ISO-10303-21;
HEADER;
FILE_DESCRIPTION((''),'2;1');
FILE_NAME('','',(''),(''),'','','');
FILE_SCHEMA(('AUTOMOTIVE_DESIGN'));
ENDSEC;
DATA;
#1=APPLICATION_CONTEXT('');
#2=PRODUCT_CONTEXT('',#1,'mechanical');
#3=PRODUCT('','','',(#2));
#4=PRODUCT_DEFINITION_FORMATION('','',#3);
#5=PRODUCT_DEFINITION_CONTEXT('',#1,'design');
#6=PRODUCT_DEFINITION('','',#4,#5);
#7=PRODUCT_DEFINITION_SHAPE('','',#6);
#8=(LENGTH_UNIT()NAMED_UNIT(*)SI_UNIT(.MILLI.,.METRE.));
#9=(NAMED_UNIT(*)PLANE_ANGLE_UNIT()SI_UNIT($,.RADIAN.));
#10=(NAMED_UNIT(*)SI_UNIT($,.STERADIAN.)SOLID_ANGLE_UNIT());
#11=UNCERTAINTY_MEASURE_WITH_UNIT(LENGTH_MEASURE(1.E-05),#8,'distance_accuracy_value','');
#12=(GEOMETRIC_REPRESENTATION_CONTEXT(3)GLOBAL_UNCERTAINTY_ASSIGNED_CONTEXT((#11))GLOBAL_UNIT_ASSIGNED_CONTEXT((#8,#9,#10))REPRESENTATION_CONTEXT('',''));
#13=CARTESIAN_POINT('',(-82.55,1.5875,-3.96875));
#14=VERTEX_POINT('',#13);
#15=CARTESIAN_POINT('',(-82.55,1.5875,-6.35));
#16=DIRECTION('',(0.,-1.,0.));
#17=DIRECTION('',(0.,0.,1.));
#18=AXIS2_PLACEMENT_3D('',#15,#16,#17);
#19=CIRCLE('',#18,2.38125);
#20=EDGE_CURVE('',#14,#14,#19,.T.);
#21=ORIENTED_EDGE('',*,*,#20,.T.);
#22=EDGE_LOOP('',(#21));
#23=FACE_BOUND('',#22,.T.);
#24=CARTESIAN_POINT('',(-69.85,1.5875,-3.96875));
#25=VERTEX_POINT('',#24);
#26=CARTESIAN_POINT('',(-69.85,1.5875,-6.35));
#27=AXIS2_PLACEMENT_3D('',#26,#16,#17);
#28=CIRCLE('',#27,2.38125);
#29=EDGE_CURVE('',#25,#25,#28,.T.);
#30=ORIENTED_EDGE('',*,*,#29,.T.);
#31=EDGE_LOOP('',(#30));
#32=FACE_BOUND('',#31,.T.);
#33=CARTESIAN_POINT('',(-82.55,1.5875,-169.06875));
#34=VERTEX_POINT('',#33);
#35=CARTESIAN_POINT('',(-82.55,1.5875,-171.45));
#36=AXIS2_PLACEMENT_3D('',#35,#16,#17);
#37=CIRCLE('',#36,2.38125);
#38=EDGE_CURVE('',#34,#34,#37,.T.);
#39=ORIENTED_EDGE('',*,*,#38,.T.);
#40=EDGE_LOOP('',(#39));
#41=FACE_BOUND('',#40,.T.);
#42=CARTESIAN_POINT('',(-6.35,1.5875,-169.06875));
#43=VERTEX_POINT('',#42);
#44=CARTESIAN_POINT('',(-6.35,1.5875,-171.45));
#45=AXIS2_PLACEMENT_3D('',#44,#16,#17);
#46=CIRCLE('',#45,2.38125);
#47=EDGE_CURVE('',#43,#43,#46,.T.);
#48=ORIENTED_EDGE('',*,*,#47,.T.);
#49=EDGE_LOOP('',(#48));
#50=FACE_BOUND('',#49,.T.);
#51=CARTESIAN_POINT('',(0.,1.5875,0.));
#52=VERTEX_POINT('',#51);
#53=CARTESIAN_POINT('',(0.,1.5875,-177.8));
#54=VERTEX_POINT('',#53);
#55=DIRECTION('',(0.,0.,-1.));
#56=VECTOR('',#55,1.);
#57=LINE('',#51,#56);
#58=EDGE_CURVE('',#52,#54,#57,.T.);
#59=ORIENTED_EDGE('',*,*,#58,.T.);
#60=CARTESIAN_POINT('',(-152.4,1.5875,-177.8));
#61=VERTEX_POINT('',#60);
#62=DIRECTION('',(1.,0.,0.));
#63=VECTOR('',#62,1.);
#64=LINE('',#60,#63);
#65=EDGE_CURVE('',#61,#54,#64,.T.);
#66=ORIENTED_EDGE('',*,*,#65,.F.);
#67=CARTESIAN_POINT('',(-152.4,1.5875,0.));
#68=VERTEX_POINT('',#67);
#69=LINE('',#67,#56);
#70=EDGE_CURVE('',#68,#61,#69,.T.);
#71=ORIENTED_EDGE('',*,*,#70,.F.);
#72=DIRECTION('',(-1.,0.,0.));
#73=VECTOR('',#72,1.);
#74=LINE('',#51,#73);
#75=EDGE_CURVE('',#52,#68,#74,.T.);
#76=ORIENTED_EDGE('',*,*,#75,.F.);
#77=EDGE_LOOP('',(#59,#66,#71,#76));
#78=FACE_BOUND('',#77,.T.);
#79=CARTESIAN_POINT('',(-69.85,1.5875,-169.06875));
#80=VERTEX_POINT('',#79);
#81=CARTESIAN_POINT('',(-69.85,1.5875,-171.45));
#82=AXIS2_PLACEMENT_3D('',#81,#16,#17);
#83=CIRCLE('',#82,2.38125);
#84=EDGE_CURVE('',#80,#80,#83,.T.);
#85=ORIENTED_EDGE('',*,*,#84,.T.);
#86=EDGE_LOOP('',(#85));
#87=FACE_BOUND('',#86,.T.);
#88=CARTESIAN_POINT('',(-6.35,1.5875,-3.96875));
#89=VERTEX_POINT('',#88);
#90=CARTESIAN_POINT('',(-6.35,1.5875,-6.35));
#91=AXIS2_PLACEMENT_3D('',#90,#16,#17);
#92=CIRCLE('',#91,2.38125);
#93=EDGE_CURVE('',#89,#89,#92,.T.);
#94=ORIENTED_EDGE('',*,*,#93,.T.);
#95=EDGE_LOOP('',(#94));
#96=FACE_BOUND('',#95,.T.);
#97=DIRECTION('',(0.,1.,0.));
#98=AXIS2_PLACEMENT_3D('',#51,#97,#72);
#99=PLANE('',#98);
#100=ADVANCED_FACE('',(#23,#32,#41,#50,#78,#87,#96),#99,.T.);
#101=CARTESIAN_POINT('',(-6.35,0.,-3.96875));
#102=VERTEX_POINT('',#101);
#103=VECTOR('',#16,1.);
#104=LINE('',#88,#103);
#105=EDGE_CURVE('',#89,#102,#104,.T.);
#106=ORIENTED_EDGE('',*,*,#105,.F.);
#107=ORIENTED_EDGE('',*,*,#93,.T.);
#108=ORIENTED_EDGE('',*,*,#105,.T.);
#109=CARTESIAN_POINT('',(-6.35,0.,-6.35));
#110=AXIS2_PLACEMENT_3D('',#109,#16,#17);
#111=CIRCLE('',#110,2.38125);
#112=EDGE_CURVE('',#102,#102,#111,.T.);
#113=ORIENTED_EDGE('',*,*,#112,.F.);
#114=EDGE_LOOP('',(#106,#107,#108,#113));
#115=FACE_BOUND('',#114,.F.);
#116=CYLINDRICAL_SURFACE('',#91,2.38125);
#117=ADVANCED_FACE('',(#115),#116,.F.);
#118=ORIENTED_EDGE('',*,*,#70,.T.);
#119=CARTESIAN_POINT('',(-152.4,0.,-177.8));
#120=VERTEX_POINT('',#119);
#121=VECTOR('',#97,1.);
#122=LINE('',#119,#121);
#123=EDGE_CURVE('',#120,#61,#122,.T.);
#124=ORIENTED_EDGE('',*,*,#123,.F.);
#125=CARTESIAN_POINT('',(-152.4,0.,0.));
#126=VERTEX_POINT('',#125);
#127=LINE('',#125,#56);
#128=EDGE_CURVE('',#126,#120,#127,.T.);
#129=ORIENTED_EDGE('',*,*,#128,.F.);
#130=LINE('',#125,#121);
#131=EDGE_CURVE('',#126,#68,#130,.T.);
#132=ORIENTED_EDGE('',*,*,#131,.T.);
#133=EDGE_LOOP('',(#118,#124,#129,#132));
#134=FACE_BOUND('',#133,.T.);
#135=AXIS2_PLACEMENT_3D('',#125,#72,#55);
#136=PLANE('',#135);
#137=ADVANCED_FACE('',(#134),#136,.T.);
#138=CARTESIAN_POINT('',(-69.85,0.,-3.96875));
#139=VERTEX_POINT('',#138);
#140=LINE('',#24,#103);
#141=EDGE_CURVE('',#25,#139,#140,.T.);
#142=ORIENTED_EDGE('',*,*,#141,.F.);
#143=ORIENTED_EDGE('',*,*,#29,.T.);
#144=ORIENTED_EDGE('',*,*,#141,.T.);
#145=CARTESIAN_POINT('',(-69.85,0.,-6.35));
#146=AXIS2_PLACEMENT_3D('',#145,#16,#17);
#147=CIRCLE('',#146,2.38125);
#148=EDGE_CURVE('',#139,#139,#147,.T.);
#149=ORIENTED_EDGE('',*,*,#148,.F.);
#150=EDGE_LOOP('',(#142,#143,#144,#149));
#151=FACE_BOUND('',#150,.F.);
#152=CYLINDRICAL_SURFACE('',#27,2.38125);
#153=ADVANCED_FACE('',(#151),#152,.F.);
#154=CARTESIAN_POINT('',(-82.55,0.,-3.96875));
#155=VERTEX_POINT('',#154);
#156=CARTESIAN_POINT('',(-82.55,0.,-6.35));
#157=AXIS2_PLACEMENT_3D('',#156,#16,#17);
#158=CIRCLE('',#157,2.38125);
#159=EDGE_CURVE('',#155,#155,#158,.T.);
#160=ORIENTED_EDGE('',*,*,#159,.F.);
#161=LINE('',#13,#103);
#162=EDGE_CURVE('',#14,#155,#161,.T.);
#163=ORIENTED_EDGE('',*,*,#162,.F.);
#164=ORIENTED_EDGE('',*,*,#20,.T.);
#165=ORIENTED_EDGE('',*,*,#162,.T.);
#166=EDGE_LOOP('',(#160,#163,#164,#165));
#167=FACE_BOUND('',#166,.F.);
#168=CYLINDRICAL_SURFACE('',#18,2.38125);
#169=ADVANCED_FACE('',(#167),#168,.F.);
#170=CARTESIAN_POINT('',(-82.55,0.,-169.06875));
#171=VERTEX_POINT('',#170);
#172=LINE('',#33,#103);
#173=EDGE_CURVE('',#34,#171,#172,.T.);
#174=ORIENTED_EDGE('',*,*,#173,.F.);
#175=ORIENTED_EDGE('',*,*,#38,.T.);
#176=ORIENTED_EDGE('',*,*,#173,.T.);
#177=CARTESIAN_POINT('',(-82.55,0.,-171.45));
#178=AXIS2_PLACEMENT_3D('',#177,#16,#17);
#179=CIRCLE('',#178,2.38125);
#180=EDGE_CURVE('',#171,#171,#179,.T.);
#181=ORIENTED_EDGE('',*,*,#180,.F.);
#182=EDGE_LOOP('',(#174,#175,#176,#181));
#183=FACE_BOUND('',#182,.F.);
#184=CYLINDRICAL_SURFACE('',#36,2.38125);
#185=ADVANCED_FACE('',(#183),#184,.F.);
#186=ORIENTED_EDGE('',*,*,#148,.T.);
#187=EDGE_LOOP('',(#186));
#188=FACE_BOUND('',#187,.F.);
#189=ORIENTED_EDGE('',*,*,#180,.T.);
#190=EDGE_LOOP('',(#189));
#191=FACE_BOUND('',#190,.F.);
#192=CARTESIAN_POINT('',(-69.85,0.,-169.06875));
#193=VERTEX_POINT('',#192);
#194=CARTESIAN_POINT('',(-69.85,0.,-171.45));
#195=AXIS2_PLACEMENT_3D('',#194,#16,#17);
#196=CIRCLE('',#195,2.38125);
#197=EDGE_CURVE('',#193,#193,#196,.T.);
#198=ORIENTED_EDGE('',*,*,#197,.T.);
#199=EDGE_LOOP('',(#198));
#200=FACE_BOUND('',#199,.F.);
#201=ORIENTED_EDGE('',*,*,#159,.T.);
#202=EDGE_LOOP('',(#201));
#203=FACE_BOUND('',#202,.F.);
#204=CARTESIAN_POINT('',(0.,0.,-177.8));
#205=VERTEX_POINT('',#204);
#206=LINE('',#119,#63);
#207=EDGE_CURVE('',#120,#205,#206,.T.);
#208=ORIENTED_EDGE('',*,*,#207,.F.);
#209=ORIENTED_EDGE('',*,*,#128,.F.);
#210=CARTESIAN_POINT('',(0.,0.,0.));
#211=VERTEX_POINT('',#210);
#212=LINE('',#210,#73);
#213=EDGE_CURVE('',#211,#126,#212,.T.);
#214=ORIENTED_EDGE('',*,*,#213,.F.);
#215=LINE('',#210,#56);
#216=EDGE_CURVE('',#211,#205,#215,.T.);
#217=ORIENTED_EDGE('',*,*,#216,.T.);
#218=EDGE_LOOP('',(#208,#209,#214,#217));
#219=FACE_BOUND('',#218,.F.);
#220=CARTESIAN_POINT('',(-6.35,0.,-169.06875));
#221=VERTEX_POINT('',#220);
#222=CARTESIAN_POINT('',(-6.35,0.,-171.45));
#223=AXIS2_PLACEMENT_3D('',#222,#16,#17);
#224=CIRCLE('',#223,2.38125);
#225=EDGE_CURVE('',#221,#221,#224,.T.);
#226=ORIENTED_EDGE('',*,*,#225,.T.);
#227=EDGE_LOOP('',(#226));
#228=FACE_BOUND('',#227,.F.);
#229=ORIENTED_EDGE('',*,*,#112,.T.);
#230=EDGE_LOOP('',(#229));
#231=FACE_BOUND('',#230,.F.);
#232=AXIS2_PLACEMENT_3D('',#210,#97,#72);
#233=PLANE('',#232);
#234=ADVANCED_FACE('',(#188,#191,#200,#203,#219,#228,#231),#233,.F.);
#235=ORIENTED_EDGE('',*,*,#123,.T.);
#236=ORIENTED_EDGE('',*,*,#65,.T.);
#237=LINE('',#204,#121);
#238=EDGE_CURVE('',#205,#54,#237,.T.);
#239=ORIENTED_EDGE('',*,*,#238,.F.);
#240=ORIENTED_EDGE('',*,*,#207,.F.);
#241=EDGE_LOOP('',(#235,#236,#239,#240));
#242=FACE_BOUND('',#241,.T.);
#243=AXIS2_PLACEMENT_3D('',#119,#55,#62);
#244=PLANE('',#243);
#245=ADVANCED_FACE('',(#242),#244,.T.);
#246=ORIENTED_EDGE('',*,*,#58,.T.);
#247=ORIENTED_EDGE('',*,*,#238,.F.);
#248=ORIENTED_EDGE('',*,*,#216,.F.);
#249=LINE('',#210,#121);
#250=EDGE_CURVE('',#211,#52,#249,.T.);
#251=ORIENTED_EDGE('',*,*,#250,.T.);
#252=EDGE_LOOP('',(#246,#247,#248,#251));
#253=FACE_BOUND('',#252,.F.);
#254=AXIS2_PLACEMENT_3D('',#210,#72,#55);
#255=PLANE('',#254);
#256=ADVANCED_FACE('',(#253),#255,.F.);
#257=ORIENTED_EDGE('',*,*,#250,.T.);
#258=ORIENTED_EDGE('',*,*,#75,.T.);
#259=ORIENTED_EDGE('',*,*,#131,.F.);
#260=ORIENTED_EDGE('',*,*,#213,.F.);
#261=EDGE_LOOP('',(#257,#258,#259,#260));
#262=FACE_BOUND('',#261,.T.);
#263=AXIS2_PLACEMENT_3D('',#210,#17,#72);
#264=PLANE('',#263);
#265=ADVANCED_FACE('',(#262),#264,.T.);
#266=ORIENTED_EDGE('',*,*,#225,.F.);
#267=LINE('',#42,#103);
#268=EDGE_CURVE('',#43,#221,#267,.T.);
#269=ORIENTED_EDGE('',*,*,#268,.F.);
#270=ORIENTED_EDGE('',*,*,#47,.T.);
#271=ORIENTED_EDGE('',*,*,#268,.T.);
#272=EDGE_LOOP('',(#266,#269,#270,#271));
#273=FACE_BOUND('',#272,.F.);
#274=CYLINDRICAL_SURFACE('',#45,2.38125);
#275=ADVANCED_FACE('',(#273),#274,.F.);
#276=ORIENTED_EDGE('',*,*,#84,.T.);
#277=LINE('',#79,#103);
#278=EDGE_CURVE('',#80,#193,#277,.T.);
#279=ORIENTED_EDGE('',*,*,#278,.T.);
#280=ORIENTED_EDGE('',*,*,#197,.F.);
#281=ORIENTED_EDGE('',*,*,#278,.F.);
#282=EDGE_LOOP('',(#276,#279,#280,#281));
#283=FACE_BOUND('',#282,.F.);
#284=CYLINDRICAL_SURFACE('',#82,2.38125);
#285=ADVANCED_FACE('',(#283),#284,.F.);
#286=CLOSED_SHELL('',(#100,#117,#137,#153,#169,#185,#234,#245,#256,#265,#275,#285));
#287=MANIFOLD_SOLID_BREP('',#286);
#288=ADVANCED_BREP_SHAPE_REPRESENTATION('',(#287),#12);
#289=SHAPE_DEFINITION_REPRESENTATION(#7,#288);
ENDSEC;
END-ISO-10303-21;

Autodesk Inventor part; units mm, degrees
ref_plane "YZ Plane" through (0, 0, 0) normal (1, 0, 0) x (0, 1, 0)
ref_plane "XZ Plane" through (0, 0, 0) normal (0, 1, 0) x (-1, 0, 0)
ref_plane "XY Plane" through (0, 0, 0) normal (0, 0, 1) x (1, 0, 0)
sketch "Sketch1" plane through (0, 0, 0) normal (0, 1, 0) x (-1, 0, 0)
  line L0 (0, 0) -> (0, -177.8)
  line L1 (0, 0) -> (152.4, 0)
  line L2 (152.4, 0) -> (152.4, -177.8)
  line L3 (152.4, -177.8) -> (0, -177.8)
  dimension "d0" = 177.8
  dimension "d1" = 152.4
  dimension "d2" = 177.8
extrude "Extrusion1" add sketch "Sketch1" along normal blind 1.5875
sketch "Sketch2" plane through (0, 1.5875, 0) normal (0, 1, 0) x (1, 0, 0)
  line L0 (-152.4, 0) -> (0, 0) projected
  line L1 (-152.4, 0) -> (-143.4197, 0) construction
  line L2 (0, 177.8) -> (-152.4, 177.8) projected
  line L3 (-152.4, 177.8) -> (-143.4197, 177.8) construction
  line L4 (0, 0) -> (0, 177.8) projected
  line L5 (0, 177.8) -> (-12.7, 177.8)
  line L6 (-12.7, 177.8) -> (0, 165.1)
  line L7 (0, 177.8) -> (-6.35, 171.45)
  line L8 (0, 177.8) -> (8.9803, 177.8) construction
  line L9 (0, 0) -> (-12.7, 0)
  line L10 (-12.7, 0) -> (0, 12.7)
  line L11 (0, 0) -> (-6.35, 6.35)
  line L12 (-6.35, 171.45) -> (-69.85, 171.45)
  line L13 (-69.85, 171.45) -> (-82.55, 171.45)
  line L14 (-6.35, 6.35) -> (-69.85, 6.35)
  line L15 (-6.35, 6.35) -> (57.15, 6.35) construction
  line L16 (-69.85, 6.35) -> (-82.55, 6.35)
  dimension "d18" = 12.7
  dimension "d19" = 45
  dimension "d20" = 135
  dimension "d21" = 12.7
  dimension "d22" = 63.5
  dimension "d23" = 12.7
  dimension "d24" = 63.5
  dimension "d25" = 180
  dimension "d26" = 12.7
hole "Hole2" at (-6.35, 1.5875, -6.35) at (-6.35, 1.5875, -171.45) at (-69.85, 1.5875, -171.45) at (-82.55, 1.5875, -171.45) at (-69.85, 1.5875, -6.35) at (-82.55, 1.5875, -6.35) direction (0, -1, 0) diameter 4.7625 end through all
properties part number "intake" material "ABS Plastic"
